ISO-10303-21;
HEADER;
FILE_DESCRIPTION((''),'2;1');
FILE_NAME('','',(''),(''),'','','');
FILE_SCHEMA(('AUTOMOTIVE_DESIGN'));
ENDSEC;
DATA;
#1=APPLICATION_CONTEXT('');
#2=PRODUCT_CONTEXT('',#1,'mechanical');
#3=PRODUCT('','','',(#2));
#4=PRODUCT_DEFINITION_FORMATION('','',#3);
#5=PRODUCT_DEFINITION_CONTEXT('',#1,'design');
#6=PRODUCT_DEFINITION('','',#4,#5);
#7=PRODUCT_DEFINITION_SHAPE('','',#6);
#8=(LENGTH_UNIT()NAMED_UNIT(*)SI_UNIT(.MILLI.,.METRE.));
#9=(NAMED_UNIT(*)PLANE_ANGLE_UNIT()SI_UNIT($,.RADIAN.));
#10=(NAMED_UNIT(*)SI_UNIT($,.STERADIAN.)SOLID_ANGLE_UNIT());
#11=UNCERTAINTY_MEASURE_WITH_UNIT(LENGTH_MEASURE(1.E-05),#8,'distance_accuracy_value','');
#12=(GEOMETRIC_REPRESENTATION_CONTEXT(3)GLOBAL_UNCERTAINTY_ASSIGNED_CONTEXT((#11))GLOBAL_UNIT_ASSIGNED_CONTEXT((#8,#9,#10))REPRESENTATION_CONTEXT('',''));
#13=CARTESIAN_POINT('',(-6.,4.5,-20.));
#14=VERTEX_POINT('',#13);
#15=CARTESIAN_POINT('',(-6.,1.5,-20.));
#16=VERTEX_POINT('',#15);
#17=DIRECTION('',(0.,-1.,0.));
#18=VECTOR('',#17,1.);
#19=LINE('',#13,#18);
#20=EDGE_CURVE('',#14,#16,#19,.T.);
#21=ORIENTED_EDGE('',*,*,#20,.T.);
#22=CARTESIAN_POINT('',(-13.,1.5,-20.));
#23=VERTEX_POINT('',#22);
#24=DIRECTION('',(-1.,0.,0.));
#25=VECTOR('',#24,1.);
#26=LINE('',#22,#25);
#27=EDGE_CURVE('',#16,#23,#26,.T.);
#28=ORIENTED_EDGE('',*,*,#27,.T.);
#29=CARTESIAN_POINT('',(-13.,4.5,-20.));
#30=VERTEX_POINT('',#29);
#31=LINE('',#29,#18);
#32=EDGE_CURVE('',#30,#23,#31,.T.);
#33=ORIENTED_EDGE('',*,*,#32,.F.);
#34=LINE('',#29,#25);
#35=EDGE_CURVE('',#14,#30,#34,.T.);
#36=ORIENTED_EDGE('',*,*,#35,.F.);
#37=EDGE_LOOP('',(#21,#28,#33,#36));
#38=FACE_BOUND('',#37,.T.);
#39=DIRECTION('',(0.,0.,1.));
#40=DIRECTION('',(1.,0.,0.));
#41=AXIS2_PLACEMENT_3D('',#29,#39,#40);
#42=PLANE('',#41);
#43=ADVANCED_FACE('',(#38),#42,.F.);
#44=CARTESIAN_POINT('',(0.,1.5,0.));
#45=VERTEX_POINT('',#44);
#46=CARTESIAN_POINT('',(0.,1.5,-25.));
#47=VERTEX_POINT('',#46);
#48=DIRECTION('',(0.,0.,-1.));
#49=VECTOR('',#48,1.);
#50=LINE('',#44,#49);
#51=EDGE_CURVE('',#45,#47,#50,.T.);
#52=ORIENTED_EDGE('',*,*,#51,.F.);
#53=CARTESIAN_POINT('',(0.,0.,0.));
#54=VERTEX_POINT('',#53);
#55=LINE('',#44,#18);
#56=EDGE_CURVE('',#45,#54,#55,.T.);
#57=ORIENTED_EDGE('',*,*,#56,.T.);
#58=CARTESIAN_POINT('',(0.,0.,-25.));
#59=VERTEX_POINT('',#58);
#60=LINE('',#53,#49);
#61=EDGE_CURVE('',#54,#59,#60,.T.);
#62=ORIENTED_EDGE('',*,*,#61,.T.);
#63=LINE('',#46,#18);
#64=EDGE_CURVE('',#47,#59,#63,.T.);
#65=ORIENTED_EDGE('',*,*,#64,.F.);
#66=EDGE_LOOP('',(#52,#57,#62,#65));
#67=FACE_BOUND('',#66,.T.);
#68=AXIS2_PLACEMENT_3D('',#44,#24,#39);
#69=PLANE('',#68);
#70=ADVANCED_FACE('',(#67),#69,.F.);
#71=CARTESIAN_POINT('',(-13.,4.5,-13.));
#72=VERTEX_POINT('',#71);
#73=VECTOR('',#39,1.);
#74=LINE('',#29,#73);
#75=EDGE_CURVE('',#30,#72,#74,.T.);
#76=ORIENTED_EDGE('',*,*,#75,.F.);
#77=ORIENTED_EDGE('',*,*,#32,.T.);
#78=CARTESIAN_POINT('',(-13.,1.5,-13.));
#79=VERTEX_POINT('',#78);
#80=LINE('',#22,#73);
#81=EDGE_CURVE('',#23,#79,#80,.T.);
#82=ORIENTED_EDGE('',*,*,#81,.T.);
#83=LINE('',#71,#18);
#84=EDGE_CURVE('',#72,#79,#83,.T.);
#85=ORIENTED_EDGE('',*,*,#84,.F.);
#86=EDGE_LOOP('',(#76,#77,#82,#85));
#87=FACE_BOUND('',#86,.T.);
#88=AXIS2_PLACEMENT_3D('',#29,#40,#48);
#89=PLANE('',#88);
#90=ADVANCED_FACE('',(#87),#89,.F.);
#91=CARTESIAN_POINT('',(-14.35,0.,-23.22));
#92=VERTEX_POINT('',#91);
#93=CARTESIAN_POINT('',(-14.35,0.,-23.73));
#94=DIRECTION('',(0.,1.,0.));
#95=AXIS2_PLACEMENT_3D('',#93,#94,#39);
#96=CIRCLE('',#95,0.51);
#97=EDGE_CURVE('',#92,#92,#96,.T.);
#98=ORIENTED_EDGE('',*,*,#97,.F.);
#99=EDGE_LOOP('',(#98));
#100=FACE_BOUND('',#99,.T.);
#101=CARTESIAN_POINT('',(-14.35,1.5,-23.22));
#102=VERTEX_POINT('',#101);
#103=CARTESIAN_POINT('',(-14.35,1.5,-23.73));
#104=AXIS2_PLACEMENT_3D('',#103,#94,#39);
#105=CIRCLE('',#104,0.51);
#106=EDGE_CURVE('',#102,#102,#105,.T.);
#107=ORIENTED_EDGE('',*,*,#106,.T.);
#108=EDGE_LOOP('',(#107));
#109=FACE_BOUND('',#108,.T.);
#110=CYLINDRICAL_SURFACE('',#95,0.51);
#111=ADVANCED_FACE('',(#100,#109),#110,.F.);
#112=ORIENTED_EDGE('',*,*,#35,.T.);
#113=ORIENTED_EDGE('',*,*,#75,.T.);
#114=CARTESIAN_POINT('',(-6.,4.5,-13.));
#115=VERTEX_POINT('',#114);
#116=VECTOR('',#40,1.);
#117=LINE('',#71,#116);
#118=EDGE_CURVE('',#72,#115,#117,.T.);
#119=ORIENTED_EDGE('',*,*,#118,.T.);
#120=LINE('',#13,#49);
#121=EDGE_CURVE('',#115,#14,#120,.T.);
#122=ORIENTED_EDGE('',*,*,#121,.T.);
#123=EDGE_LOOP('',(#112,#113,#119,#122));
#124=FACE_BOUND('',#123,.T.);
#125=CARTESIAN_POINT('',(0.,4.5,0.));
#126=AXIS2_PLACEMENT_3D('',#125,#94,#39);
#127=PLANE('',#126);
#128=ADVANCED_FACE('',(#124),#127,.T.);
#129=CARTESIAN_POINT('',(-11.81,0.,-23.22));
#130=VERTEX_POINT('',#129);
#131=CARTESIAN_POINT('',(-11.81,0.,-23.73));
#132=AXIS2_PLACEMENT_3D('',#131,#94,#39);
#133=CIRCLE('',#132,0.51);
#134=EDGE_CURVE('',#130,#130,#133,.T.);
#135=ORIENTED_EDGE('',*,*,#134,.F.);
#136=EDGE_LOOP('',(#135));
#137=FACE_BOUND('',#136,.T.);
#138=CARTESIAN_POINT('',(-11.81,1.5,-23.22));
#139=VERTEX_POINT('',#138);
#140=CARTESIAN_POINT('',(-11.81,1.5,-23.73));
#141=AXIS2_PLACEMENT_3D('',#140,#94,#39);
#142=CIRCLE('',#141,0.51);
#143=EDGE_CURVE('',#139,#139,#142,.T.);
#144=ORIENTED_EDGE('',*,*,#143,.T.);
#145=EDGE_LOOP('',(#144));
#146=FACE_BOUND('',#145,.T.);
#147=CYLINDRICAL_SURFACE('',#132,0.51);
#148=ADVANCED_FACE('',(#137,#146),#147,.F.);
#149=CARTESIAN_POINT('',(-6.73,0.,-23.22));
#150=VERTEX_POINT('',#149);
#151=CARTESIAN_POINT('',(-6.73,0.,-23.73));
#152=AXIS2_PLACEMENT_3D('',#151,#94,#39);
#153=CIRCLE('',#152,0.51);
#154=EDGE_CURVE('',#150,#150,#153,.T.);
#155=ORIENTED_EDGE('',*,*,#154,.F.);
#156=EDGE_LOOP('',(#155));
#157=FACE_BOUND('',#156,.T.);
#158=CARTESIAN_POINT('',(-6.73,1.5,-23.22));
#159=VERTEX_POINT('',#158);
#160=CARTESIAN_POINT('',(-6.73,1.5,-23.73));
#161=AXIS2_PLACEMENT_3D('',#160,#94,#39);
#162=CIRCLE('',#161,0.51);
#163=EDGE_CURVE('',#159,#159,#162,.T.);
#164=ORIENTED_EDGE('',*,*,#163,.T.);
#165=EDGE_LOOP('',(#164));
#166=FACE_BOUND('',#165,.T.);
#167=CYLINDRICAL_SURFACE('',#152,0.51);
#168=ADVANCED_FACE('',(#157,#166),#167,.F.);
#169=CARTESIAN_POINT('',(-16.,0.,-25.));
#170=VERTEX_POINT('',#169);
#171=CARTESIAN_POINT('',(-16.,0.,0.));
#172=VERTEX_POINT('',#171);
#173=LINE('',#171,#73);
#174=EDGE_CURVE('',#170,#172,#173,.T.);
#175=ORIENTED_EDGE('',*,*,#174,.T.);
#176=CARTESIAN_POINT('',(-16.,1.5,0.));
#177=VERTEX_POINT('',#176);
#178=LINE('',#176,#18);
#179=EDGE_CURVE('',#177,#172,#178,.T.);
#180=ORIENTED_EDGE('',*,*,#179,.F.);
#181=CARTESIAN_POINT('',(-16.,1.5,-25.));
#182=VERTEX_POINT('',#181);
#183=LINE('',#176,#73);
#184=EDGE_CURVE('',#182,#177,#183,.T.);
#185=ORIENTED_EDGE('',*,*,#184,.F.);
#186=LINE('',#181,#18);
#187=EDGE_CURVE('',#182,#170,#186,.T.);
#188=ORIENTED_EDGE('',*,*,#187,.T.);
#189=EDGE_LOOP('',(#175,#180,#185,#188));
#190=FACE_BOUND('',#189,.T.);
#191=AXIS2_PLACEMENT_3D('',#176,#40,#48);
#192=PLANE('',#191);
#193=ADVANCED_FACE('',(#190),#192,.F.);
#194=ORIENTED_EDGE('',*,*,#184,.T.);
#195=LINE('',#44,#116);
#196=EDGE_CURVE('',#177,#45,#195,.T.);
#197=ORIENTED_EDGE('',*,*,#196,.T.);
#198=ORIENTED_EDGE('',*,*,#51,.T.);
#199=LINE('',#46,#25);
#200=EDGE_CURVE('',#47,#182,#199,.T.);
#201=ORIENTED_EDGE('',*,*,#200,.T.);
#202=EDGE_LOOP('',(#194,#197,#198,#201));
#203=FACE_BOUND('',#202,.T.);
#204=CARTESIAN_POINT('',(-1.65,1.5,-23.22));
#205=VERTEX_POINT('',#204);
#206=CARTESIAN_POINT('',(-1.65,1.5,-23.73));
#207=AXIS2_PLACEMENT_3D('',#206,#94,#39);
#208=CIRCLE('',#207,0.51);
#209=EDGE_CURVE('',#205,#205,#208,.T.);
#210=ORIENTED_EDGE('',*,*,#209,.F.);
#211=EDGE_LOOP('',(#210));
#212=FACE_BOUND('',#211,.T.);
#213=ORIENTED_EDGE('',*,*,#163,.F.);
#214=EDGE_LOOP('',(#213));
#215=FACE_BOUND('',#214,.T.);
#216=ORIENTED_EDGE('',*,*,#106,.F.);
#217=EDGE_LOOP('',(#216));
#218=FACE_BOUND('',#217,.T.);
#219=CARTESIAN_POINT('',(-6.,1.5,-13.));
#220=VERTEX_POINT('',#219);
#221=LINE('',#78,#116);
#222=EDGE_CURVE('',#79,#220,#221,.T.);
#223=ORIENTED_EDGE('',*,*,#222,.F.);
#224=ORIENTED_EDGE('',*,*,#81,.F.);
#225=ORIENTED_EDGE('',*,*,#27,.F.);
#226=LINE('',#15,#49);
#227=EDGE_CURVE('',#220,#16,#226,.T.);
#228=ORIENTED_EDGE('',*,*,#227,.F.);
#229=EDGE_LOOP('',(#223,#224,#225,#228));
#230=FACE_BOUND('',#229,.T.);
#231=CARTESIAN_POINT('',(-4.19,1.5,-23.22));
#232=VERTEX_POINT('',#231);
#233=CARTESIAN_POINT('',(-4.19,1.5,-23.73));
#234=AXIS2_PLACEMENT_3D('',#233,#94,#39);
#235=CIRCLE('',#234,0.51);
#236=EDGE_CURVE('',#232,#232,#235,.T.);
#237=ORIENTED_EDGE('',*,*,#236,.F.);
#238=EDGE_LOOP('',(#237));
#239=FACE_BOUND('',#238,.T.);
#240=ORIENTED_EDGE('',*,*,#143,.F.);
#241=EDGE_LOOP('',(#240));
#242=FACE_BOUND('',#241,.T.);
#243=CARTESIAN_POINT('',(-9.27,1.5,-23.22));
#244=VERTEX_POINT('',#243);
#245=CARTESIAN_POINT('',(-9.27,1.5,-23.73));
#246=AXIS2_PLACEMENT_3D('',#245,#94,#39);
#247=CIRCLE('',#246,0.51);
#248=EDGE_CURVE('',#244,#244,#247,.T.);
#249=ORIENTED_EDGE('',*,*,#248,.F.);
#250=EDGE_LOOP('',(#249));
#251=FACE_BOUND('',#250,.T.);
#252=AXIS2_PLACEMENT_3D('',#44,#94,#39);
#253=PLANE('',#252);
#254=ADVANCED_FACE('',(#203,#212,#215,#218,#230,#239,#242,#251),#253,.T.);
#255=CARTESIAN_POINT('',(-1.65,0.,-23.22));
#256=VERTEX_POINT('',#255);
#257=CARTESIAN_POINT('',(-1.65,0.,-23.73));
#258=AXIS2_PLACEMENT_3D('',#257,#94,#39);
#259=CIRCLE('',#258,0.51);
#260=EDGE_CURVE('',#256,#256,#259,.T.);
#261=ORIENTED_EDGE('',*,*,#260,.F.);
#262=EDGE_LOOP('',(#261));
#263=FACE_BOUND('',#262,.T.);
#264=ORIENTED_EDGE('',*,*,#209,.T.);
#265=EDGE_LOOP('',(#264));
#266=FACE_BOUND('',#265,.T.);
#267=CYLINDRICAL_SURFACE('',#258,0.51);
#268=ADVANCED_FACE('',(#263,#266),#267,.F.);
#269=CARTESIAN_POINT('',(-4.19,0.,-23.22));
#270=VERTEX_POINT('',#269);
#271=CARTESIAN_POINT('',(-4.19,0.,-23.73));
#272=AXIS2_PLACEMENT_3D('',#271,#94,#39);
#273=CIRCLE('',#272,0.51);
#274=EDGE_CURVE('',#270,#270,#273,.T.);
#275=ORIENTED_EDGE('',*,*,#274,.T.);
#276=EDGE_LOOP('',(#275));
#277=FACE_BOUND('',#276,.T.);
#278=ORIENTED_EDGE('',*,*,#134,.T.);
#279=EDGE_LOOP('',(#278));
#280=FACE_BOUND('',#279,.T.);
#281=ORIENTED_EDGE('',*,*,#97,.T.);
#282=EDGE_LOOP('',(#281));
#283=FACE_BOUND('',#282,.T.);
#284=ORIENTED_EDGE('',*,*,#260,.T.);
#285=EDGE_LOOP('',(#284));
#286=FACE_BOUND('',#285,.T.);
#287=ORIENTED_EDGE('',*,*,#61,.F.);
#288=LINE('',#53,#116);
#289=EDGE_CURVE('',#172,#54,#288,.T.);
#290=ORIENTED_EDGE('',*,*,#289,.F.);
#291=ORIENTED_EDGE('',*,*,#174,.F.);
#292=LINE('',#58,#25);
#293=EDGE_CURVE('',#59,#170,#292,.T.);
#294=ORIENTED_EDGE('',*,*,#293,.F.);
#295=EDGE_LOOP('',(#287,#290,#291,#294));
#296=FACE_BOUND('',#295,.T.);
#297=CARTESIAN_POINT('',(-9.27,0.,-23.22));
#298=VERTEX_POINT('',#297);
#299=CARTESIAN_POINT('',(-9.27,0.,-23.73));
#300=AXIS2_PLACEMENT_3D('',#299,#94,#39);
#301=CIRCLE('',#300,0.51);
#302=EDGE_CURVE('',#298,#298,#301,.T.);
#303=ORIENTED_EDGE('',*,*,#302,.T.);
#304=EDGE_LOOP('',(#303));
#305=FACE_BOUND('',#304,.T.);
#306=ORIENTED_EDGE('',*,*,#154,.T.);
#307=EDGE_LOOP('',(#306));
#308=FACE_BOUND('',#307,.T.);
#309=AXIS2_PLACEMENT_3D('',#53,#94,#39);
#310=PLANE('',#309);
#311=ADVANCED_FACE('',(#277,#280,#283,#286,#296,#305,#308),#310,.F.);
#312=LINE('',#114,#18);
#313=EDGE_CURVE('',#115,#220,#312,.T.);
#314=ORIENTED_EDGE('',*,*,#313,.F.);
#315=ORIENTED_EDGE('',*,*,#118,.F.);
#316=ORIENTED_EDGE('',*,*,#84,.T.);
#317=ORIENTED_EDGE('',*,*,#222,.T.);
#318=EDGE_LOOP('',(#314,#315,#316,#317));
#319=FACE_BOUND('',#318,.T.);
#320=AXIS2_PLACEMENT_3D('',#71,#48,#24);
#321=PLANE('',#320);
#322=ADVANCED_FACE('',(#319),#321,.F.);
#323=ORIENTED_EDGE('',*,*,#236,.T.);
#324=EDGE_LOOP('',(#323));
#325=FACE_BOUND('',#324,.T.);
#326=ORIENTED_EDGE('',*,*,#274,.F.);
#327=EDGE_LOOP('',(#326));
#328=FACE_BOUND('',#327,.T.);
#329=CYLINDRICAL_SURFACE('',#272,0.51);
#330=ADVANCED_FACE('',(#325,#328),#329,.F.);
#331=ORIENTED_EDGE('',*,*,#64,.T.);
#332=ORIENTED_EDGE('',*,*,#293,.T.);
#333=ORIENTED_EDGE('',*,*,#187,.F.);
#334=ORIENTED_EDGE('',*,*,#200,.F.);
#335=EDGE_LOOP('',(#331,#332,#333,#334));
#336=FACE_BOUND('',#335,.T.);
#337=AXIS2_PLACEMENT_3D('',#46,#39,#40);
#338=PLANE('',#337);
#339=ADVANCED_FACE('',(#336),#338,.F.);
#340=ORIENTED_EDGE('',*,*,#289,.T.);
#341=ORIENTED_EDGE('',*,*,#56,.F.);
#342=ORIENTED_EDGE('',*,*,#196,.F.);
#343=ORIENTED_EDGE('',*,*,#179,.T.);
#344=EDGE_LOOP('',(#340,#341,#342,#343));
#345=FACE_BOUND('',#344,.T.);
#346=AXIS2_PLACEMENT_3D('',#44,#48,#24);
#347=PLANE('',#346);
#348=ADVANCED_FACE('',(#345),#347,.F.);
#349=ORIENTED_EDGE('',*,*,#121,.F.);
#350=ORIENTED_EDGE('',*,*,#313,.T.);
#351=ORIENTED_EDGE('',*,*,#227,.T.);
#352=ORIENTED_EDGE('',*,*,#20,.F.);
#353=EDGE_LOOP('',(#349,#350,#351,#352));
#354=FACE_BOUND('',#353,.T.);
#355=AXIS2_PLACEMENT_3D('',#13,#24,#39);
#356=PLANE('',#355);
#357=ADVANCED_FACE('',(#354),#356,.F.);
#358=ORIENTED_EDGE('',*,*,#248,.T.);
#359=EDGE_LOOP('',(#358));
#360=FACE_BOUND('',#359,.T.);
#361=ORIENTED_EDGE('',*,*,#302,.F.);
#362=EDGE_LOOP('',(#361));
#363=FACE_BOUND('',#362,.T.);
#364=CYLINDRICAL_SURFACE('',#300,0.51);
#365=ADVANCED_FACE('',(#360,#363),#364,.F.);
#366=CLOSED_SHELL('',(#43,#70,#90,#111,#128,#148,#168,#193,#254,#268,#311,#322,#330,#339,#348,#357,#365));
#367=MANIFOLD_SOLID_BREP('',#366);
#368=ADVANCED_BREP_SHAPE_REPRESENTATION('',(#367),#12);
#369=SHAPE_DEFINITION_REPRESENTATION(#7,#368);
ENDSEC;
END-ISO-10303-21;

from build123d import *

# Parameters (mm, degrees)
SCHIZZO1_W                   = 16
SCHIZZO1_H                   = 25
ESTRUSIONE_ESTRUSIONE1_DEPTH = 1.5
SCHIZZO2_R                   = 0.51
TAGLIO_ESTRUSIONE1_DEPTH     = 1.5
SCHIZZO3_W                   = 7
SCHIZZO3_H                   = 7
ESTRUSIONE_ESTRUSIONE2_DEPTH = 3


with BuildPart() as part:
    # Schizzo1 → Estrusione-Estrusione1 (new body)
    with BuildSketch(Plane(origin=(0, 0, 0), x_dir=(1, 0, 0), z_dir=(0, 1, 0))):
        with Locations((-8, 12.5)):
            Rectangle(SCHIZZO1_W, SCHIZZO1_H)
    extrude(amount=ESTRUSIONE_ESTRUSIONE1_DEPTH)

    # Schizzo2 → Taglio-Estrusione1 (cut)
    with BuildSketch(Plane(origin=(0, 1.5, 0), x_dir=(1, 0, 0), z_dir=(0, 1, 0))):
        with Locations(Location((-14.35, 23.73, 0), (0, 0, 270))):
            Circle(SCHIZZO2_R)
        with Locations(Location((-11.81, 23.73, 0), (0, 0, 270))):
            Circle(SCHIZZO2_R)
        with Locations(Location((-9.27, 23.73, 0), (0, 0, 270))):
            Circle(SCHIZZO2_R)
        with Locations(Location((-6.73, 23.73, 0), (0, 0, 270))):
            Circle(SCHIZZO2_R)
        with Locations(Location((-4.19, 23.73, 0), (0, 0, 270))):
            Circle(SCHIZZO2_R)
        with Locations(Location((-1.65, 23.73, 0), (0, 0, 270))):
            Circle(SCHIZZO2_R)
    extrude(amount=-TAGLIO_ESTRUSIONE1_DEPTH, mode=Mode.SUBTRACT)

    # Schizzo3 → Estrusione-Estrusione2 (add)
    with BuildSketch(Plane(origin=(0, 1.5, 0), x_dir=(1, 0, 0), z_dir=(0, 1, 0))):
        with Locations((-9.5, 16.5)):
            Rectangle(SCHIZZO3_W, SCHIZZO3_H)
    extrude(amount=ESTRUSIONE_ESTRUSIONE2_DEPTH)


solid = part.part
